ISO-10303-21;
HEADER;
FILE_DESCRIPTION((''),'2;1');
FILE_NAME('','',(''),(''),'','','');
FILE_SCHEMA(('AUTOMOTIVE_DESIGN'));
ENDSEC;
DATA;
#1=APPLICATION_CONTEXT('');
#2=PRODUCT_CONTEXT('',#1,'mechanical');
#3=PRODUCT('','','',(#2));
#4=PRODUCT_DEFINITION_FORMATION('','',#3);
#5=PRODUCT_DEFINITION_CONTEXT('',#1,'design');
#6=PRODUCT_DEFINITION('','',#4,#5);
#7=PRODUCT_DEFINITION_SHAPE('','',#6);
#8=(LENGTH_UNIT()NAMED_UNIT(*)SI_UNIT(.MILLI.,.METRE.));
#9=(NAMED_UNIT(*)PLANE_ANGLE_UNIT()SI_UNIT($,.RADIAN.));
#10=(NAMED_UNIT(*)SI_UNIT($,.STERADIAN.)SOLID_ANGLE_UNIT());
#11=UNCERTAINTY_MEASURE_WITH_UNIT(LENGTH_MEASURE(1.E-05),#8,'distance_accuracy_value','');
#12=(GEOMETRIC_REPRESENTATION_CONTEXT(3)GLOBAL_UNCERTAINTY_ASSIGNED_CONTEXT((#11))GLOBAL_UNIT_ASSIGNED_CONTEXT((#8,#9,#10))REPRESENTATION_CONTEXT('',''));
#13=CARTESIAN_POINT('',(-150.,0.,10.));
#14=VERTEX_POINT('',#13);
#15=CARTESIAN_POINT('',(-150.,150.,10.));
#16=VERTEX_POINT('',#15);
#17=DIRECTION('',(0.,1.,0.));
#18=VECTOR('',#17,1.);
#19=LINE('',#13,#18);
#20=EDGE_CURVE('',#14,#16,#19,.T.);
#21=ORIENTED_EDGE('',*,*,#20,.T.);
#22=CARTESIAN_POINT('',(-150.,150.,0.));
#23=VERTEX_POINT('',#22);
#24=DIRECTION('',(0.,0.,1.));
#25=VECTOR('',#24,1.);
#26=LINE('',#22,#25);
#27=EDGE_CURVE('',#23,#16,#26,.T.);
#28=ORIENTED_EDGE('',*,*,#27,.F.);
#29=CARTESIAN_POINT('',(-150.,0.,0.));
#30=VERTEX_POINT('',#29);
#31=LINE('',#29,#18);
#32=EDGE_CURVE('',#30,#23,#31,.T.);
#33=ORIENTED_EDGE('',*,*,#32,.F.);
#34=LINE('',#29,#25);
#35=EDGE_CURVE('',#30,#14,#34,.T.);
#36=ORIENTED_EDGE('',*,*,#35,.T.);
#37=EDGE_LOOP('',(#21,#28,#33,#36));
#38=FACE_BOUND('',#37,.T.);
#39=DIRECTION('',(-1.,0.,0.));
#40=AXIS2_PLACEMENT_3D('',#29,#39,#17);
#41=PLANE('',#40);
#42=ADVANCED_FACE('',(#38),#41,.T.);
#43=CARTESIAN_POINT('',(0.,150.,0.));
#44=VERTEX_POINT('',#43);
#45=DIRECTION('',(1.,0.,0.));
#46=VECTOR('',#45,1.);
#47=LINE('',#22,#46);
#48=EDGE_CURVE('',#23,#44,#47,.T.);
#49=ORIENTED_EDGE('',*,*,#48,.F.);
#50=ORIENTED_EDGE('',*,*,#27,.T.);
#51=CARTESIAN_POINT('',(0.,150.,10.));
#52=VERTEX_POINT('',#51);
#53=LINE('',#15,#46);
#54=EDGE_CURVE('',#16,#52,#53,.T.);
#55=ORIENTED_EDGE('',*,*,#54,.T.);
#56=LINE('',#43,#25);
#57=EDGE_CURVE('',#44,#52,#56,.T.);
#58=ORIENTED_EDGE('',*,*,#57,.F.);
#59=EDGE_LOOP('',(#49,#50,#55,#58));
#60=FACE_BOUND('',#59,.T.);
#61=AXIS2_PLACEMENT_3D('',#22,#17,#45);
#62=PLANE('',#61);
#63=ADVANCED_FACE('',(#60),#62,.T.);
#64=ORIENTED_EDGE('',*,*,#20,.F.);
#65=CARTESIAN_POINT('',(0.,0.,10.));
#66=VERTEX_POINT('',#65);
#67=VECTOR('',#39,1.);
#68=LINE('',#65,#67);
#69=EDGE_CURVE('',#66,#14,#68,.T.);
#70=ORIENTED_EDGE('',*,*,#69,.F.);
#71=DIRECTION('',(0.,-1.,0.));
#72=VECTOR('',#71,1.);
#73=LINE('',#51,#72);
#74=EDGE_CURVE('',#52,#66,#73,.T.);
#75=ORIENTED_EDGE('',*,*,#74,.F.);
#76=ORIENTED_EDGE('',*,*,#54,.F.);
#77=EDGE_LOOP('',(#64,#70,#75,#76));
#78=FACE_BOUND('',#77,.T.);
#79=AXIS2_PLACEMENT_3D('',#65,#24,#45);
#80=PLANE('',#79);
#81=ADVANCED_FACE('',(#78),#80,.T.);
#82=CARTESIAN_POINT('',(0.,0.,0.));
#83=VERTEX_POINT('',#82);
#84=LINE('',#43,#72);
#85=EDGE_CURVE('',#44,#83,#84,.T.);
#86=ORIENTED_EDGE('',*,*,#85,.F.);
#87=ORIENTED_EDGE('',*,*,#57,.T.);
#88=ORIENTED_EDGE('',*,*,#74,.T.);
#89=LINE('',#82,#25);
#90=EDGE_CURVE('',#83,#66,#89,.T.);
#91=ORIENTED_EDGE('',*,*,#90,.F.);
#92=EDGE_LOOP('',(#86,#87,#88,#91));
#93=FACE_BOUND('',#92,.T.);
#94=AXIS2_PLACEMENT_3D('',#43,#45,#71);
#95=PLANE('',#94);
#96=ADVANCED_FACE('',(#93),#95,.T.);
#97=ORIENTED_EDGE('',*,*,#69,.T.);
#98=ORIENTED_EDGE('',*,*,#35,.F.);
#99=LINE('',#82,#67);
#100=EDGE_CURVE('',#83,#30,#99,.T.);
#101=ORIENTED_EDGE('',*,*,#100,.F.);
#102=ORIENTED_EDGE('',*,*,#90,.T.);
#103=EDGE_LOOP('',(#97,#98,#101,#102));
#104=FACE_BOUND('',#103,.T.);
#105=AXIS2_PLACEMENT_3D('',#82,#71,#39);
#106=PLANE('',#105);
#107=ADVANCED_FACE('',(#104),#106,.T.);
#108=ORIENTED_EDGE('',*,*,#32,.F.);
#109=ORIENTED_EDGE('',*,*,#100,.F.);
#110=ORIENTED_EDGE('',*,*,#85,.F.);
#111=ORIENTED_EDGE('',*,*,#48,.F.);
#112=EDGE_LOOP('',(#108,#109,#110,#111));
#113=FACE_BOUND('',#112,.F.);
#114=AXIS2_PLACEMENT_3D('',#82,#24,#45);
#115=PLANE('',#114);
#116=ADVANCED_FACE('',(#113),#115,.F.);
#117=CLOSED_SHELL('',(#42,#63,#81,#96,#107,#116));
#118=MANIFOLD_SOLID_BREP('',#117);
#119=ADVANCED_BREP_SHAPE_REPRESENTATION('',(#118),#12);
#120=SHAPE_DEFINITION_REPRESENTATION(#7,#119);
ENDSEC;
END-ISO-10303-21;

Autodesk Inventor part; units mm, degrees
ref_plane "YZ Plane" through (0, 0, 0) normal (1, 0, 0) x (0, 1, 0)
ref_plane "XZ Plane" through (0, 0, 0) normal (0, 1, 0) x (-1, 0, 0)
ref_plane "XY Plane" through (0, 0, 0) normal (0, 0, 1) x (1, 0, 0)
sketch "Sketch1" plane through (0, 0, 0) normal (0, 0, 1) x (1, 0, 0)
  line L0 (0, 0) -> (-150, 0)
  line L1 (-150, 0) -> (-150, 150)
  line L2 (-150, 150) -> (0, 150)
  line L3 (0, 150) -> (0, 0)
  dimension "d0" = 150
  dimension "d1" = 150
extrude "Extrusion1" add sketch "Sketch1" along normal blind 10
properties part number "eggshell_core_3Dprinted"
